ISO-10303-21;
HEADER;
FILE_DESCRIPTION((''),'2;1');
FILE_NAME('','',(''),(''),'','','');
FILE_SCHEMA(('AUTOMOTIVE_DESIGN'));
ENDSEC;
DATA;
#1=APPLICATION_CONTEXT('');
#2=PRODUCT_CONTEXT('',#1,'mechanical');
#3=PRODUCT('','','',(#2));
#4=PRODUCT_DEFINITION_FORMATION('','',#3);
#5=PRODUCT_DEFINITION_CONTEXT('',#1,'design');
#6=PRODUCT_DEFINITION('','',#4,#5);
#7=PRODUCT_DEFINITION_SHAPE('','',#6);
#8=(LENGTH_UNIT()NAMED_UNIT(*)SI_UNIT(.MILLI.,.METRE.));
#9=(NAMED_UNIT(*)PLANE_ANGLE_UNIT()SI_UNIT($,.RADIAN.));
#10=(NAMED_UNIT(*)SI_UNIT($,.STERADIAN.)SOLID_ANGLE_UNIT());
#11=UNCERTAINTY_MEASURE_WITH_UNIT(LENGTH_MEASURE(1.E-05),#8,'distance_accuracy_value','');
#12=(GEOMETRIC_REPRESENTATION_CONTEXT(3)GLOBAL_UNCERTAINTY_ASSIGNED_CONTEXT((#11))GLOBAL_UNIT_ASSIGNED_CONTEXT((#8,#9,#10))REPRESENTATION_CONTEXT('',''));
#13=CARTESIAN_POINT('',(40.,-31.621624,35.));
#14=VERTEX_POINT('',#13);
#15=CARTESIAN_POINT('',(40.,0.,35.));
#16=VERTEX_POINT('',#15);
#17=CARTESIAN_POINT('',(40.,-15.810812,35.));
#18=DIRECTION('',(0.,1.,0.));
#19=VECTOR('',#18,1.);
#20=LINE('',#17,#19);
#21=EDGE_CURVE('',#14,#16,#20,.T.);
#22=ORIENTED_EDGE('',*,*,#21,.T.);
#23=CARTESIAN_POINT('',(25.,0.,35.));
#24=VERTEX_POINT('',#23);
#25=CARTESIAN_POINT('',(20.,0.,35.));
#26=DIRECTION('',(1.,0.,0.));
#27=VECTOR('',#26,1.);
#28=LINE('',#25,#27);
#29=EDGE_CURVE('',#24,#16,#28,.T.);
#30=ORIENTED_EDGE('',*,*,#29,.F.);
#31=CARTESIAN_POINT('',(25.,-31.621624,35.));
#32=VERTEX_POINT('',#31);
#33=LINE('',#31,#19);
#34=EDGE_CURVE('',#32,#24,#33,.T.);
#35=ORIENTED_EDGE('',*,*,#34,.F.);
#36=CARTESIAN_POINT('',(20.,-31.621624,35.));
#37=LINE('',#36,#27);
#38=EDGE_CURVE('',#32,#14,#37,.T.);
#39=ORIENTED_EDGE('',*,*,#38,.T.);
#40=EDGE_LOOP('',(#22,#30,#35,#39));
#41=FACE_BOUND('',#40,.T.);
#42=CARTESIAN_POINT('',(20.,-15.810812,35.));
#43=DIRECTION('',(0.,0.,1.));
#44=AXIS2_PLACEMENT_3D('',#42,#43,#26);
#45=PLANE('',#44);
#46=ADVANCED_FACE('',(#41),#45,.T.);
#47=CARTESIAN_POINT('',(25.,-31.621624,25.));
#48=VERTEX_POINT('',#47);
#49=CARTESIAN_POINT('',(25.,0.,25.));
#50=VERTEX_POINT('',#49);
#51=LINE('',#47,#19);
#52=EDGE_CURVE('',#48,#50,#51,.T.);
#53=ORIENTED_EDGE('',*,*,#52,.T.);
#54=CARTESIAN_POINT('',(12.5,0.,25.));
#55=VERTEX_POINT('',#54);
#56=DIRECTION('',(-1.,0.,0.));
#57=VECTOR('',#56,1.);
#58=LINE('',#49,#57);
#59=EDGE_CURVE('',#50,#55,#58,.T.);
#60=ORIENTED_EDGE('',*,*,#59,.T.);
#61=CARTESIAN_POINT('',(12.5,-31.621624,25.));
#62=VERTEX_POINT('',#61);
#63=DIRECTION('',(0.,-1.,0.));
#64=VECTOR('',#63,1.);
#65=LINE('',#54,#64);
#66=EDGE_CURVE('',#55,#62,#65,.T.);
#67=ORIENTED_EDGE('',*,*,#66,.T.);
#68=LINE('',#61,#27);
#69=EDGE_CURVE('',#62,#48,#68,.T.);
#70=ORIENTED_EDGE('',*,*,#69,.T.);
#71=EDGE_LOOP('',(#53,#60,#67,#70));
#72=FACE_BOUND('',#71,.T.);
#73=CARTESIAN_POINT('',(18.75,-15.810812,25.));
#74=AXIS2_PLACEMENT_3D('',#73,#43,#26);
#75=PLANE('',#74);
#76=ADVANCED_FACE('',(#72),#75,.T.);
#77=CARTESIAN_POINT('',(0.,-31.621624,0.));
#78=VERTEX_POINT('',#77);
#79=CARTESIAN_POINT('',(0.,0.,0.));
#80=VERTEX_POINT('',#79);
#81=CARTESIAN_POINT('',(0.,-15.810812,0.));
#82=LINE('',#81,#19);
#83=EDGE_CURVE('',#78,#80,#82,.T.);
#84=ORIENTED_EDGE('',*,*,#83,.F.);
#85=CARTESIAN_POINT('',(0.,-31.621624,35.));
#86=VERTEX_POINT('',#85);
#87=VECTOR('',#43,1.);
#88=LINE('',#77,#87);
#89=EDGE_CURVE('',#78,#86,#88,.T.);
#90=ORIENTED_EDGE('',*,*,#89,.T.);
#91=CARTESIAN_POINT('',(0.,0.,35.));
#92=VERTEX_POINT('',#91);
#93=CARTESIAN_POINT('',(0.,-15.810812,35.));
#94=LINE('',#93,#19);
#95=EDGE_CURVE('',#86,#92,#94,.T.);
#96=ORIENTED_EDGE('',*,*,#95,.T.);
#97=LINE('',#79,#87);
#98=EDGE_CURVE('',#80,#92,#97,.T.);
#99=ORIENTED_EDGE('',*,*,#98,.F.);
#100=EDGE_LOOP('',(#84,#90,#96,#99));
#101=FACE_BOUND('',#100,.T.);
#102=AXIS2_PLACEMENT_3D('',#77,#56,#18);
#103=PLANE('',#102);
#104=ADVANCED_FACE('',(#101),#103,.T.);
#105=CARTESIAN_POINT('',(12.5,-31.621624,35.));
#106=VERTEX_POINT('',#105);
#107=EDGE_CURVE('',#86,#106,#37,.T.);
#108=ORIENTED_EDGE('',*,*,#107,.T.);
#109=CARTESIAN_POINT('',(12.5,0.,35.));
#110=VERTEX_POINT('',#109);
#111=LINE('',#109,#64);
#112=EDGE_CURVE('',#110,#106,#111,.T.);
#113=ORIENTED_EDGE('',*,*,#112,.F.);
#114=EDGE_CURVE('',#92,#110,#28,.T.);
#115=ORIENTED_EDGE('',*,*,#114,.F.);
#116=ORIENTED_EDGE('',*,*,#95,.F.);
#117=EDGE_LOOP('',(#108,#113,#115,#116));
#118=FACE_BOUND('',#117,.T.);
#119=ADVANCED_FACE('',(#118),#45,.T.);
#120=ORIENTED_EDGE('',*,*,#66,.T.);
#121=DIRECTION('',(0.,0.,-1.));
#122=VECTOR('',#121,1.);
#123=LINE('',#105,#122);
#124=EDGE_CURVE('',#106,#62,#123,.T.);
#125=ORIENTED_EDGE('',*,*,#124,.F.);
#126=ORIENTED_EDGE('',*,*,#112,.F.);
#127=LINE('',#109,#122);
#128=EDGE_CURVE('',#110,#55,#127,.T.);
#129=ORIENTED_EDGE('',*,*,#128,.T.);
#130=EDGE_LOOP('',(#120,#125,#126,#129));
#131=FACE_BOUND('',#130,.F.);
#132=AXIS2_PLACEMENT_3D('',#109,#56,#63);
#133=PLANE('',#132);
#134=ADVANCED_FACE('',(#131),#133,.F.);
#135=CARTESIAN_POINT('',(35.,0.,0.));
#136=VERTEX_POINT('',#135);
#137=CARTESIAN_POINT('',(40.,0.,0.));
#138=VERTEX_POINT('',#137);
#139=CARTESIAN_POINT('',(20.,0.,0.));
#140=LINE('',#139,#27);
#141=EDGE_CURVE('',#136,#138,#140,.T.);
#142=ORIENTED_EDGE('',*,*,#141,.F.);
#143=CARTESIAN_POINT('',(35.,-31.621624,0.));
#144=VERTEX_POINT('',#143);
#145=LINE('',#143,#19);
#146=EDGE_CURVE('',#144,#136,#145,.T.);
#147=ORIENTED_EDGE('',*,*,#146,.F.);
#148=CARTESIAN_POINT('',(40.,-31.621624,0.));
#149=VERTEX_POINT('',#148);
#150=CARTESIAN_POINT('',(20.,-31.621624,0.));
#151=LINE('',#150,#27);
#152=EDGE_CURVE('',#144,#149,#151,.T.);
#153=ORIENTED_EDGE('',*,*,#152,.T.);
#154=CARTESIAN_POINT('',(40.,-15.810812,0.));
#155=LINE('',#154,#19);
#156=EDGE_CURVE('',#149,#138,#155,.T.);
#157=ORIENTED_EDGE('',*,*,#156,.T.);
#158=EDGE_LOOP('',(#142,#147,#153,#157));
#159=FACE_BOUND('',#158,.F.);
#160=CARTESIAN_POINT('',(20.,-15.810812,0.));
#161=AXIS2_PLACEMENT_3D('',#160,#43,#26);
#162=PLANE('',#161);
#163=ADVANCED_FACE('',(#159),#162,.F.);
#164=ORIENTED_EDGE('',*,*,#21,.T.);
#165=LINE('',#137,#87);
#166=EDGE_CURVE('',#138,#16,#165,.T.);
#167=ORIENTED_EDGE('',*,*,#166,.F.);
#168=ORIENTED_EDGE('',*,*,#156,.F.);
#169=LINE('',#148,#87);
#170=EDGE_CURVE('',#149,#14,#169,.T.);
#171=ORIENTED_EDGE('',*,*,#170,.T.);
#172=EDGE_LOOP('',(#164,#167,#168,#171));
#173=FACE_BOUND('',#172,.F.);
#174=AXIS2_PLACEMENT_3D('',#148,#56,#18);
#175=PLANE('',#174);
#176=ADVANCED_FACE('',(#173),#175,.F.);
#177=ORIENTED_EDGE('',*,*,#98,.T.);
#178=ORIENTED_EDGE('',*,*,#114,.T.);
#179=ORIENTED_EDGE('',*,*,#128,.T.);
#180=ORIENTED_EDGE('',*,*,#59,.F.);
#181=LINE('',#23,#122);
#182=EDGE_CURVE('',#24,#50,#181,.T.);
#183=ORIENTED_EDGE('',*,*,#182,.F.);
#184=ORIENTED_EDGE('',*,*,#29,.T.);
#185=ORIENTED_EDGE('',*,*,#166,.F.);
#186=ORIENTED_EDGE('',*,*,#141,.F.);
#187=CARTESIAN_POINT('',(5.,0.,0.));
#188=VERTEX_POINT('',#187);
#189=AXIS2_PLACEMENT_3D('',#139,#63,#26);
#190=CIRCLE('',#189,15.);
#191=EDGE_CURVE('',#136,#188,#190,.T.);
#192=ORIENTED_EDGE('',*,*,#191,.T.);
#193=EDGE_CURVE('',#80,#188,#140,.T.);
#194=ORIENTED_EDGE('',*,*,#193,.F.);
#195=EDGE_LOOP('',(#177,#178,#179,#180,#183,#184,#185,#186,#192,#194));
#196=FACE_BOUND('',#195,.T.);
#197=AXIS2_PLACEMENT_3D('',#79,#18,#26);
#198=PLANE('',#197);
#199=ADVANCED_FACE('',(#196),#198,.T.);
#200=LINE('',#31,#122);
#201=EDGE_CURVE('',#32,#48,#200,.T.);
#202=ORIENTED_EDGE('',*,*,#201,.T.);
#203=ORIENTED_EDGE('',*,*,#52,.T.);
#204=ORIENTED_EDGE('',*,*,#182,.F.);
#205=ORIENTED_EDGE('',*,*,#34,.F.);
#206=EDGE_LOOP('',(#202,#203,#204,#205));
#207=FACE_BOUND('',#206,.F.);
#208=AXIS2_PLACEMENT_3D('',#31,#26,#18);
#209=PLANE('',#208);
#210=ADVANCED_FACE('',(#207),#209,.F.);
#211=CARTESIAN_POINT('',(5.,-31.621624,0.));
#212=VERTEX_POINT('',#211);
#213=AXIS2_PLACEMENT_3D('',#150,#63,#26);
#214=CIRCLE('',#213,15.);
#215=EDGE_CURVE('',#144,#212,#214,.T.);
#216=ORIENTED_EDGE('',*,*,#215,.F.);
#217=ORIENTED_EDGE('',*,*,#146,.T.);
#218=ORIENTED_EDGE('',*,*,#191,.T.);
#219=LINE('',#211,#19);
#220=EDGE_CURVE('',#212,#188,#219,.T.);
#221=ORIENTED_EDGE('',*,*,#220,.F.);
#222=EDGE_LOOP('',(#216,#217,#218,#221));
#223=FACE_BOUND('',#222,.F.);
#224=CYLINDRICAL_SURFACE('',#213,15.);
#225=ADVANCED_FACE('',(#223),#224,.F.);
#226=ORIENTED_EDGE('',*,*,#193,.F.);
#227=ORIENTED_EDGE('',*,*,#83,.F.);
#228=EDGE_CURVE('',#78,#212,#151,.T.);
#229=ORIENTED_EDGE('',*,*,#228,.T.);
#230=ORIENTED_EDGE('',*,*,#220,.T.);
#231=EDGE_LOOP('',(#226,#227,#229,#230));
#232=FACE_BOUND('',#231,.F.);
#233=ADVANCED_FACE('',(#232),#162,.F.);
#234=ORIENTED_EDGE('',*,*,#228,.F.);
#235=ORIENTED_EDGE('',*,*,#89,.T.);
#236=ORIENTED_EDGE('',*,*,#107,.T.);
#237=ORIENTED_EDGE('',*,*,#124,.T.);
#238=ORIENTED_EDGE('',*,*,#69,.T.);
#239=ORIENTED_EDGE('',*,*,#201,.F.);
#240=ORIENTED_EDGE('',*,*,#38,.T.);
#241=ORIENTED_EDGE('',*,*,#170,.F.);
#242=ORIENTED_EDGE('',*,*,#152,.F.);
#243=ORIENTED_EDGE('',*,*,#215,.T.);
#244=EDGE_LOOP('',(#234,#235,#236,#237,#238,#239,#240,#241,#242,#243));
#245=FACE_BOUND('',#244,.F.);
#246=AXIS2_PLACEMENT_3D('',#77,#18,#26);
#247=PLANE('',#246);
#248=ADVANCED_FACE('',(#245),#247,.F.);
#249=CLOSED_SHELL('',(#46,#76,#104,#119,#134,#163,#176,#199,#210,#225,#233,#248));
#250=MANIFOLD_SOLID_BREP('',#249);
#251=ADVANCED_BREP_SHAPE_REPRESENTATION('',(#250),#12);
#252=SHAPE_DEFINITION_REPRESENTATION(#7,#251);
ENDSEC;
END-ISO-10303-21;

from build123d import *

# Parameters (mm, degrees)
F0_W     = 40
F0_H     = 31.621624
F1_DEPTH = 35
F3_DEPTH = 10
F5_DEPTH = 40


with BuildPart() as f1:
    # F0 (on Top) → F1 (new body)
    with BuildSketch(Plane.XY):
        with Locations((20, -15.810812)):
            Rectangle(F0_W, F0_H)
    extrude(amount=F1_DEPTH)

    # F2 (on face) → F3 (cut)
    with BuildSketch(Plane.XY.offset(35)):
        Polygon((25, -31.621624), (25, -18.624302), (25, 0), (12.5, 0), (12.5, -18.326312), (12.5, -31.621624), align=None)
    extrude(amount=-F3_DEPTH, mode=Mode.SUBTRACT)

    # F4 (on face) → F5 (cut)
    with BuildSketch(Plane.XZ.offset(31.621624)):
        with BuildLine():
            Line((5, 0), (35, 0))
            ThreePointArc((35, 0), (20, 15), (5, 0))
        make_face()
    extrude(amount=-F5_DEPTH, mode=Mode.SUBTRACT)


solid = f1.part
